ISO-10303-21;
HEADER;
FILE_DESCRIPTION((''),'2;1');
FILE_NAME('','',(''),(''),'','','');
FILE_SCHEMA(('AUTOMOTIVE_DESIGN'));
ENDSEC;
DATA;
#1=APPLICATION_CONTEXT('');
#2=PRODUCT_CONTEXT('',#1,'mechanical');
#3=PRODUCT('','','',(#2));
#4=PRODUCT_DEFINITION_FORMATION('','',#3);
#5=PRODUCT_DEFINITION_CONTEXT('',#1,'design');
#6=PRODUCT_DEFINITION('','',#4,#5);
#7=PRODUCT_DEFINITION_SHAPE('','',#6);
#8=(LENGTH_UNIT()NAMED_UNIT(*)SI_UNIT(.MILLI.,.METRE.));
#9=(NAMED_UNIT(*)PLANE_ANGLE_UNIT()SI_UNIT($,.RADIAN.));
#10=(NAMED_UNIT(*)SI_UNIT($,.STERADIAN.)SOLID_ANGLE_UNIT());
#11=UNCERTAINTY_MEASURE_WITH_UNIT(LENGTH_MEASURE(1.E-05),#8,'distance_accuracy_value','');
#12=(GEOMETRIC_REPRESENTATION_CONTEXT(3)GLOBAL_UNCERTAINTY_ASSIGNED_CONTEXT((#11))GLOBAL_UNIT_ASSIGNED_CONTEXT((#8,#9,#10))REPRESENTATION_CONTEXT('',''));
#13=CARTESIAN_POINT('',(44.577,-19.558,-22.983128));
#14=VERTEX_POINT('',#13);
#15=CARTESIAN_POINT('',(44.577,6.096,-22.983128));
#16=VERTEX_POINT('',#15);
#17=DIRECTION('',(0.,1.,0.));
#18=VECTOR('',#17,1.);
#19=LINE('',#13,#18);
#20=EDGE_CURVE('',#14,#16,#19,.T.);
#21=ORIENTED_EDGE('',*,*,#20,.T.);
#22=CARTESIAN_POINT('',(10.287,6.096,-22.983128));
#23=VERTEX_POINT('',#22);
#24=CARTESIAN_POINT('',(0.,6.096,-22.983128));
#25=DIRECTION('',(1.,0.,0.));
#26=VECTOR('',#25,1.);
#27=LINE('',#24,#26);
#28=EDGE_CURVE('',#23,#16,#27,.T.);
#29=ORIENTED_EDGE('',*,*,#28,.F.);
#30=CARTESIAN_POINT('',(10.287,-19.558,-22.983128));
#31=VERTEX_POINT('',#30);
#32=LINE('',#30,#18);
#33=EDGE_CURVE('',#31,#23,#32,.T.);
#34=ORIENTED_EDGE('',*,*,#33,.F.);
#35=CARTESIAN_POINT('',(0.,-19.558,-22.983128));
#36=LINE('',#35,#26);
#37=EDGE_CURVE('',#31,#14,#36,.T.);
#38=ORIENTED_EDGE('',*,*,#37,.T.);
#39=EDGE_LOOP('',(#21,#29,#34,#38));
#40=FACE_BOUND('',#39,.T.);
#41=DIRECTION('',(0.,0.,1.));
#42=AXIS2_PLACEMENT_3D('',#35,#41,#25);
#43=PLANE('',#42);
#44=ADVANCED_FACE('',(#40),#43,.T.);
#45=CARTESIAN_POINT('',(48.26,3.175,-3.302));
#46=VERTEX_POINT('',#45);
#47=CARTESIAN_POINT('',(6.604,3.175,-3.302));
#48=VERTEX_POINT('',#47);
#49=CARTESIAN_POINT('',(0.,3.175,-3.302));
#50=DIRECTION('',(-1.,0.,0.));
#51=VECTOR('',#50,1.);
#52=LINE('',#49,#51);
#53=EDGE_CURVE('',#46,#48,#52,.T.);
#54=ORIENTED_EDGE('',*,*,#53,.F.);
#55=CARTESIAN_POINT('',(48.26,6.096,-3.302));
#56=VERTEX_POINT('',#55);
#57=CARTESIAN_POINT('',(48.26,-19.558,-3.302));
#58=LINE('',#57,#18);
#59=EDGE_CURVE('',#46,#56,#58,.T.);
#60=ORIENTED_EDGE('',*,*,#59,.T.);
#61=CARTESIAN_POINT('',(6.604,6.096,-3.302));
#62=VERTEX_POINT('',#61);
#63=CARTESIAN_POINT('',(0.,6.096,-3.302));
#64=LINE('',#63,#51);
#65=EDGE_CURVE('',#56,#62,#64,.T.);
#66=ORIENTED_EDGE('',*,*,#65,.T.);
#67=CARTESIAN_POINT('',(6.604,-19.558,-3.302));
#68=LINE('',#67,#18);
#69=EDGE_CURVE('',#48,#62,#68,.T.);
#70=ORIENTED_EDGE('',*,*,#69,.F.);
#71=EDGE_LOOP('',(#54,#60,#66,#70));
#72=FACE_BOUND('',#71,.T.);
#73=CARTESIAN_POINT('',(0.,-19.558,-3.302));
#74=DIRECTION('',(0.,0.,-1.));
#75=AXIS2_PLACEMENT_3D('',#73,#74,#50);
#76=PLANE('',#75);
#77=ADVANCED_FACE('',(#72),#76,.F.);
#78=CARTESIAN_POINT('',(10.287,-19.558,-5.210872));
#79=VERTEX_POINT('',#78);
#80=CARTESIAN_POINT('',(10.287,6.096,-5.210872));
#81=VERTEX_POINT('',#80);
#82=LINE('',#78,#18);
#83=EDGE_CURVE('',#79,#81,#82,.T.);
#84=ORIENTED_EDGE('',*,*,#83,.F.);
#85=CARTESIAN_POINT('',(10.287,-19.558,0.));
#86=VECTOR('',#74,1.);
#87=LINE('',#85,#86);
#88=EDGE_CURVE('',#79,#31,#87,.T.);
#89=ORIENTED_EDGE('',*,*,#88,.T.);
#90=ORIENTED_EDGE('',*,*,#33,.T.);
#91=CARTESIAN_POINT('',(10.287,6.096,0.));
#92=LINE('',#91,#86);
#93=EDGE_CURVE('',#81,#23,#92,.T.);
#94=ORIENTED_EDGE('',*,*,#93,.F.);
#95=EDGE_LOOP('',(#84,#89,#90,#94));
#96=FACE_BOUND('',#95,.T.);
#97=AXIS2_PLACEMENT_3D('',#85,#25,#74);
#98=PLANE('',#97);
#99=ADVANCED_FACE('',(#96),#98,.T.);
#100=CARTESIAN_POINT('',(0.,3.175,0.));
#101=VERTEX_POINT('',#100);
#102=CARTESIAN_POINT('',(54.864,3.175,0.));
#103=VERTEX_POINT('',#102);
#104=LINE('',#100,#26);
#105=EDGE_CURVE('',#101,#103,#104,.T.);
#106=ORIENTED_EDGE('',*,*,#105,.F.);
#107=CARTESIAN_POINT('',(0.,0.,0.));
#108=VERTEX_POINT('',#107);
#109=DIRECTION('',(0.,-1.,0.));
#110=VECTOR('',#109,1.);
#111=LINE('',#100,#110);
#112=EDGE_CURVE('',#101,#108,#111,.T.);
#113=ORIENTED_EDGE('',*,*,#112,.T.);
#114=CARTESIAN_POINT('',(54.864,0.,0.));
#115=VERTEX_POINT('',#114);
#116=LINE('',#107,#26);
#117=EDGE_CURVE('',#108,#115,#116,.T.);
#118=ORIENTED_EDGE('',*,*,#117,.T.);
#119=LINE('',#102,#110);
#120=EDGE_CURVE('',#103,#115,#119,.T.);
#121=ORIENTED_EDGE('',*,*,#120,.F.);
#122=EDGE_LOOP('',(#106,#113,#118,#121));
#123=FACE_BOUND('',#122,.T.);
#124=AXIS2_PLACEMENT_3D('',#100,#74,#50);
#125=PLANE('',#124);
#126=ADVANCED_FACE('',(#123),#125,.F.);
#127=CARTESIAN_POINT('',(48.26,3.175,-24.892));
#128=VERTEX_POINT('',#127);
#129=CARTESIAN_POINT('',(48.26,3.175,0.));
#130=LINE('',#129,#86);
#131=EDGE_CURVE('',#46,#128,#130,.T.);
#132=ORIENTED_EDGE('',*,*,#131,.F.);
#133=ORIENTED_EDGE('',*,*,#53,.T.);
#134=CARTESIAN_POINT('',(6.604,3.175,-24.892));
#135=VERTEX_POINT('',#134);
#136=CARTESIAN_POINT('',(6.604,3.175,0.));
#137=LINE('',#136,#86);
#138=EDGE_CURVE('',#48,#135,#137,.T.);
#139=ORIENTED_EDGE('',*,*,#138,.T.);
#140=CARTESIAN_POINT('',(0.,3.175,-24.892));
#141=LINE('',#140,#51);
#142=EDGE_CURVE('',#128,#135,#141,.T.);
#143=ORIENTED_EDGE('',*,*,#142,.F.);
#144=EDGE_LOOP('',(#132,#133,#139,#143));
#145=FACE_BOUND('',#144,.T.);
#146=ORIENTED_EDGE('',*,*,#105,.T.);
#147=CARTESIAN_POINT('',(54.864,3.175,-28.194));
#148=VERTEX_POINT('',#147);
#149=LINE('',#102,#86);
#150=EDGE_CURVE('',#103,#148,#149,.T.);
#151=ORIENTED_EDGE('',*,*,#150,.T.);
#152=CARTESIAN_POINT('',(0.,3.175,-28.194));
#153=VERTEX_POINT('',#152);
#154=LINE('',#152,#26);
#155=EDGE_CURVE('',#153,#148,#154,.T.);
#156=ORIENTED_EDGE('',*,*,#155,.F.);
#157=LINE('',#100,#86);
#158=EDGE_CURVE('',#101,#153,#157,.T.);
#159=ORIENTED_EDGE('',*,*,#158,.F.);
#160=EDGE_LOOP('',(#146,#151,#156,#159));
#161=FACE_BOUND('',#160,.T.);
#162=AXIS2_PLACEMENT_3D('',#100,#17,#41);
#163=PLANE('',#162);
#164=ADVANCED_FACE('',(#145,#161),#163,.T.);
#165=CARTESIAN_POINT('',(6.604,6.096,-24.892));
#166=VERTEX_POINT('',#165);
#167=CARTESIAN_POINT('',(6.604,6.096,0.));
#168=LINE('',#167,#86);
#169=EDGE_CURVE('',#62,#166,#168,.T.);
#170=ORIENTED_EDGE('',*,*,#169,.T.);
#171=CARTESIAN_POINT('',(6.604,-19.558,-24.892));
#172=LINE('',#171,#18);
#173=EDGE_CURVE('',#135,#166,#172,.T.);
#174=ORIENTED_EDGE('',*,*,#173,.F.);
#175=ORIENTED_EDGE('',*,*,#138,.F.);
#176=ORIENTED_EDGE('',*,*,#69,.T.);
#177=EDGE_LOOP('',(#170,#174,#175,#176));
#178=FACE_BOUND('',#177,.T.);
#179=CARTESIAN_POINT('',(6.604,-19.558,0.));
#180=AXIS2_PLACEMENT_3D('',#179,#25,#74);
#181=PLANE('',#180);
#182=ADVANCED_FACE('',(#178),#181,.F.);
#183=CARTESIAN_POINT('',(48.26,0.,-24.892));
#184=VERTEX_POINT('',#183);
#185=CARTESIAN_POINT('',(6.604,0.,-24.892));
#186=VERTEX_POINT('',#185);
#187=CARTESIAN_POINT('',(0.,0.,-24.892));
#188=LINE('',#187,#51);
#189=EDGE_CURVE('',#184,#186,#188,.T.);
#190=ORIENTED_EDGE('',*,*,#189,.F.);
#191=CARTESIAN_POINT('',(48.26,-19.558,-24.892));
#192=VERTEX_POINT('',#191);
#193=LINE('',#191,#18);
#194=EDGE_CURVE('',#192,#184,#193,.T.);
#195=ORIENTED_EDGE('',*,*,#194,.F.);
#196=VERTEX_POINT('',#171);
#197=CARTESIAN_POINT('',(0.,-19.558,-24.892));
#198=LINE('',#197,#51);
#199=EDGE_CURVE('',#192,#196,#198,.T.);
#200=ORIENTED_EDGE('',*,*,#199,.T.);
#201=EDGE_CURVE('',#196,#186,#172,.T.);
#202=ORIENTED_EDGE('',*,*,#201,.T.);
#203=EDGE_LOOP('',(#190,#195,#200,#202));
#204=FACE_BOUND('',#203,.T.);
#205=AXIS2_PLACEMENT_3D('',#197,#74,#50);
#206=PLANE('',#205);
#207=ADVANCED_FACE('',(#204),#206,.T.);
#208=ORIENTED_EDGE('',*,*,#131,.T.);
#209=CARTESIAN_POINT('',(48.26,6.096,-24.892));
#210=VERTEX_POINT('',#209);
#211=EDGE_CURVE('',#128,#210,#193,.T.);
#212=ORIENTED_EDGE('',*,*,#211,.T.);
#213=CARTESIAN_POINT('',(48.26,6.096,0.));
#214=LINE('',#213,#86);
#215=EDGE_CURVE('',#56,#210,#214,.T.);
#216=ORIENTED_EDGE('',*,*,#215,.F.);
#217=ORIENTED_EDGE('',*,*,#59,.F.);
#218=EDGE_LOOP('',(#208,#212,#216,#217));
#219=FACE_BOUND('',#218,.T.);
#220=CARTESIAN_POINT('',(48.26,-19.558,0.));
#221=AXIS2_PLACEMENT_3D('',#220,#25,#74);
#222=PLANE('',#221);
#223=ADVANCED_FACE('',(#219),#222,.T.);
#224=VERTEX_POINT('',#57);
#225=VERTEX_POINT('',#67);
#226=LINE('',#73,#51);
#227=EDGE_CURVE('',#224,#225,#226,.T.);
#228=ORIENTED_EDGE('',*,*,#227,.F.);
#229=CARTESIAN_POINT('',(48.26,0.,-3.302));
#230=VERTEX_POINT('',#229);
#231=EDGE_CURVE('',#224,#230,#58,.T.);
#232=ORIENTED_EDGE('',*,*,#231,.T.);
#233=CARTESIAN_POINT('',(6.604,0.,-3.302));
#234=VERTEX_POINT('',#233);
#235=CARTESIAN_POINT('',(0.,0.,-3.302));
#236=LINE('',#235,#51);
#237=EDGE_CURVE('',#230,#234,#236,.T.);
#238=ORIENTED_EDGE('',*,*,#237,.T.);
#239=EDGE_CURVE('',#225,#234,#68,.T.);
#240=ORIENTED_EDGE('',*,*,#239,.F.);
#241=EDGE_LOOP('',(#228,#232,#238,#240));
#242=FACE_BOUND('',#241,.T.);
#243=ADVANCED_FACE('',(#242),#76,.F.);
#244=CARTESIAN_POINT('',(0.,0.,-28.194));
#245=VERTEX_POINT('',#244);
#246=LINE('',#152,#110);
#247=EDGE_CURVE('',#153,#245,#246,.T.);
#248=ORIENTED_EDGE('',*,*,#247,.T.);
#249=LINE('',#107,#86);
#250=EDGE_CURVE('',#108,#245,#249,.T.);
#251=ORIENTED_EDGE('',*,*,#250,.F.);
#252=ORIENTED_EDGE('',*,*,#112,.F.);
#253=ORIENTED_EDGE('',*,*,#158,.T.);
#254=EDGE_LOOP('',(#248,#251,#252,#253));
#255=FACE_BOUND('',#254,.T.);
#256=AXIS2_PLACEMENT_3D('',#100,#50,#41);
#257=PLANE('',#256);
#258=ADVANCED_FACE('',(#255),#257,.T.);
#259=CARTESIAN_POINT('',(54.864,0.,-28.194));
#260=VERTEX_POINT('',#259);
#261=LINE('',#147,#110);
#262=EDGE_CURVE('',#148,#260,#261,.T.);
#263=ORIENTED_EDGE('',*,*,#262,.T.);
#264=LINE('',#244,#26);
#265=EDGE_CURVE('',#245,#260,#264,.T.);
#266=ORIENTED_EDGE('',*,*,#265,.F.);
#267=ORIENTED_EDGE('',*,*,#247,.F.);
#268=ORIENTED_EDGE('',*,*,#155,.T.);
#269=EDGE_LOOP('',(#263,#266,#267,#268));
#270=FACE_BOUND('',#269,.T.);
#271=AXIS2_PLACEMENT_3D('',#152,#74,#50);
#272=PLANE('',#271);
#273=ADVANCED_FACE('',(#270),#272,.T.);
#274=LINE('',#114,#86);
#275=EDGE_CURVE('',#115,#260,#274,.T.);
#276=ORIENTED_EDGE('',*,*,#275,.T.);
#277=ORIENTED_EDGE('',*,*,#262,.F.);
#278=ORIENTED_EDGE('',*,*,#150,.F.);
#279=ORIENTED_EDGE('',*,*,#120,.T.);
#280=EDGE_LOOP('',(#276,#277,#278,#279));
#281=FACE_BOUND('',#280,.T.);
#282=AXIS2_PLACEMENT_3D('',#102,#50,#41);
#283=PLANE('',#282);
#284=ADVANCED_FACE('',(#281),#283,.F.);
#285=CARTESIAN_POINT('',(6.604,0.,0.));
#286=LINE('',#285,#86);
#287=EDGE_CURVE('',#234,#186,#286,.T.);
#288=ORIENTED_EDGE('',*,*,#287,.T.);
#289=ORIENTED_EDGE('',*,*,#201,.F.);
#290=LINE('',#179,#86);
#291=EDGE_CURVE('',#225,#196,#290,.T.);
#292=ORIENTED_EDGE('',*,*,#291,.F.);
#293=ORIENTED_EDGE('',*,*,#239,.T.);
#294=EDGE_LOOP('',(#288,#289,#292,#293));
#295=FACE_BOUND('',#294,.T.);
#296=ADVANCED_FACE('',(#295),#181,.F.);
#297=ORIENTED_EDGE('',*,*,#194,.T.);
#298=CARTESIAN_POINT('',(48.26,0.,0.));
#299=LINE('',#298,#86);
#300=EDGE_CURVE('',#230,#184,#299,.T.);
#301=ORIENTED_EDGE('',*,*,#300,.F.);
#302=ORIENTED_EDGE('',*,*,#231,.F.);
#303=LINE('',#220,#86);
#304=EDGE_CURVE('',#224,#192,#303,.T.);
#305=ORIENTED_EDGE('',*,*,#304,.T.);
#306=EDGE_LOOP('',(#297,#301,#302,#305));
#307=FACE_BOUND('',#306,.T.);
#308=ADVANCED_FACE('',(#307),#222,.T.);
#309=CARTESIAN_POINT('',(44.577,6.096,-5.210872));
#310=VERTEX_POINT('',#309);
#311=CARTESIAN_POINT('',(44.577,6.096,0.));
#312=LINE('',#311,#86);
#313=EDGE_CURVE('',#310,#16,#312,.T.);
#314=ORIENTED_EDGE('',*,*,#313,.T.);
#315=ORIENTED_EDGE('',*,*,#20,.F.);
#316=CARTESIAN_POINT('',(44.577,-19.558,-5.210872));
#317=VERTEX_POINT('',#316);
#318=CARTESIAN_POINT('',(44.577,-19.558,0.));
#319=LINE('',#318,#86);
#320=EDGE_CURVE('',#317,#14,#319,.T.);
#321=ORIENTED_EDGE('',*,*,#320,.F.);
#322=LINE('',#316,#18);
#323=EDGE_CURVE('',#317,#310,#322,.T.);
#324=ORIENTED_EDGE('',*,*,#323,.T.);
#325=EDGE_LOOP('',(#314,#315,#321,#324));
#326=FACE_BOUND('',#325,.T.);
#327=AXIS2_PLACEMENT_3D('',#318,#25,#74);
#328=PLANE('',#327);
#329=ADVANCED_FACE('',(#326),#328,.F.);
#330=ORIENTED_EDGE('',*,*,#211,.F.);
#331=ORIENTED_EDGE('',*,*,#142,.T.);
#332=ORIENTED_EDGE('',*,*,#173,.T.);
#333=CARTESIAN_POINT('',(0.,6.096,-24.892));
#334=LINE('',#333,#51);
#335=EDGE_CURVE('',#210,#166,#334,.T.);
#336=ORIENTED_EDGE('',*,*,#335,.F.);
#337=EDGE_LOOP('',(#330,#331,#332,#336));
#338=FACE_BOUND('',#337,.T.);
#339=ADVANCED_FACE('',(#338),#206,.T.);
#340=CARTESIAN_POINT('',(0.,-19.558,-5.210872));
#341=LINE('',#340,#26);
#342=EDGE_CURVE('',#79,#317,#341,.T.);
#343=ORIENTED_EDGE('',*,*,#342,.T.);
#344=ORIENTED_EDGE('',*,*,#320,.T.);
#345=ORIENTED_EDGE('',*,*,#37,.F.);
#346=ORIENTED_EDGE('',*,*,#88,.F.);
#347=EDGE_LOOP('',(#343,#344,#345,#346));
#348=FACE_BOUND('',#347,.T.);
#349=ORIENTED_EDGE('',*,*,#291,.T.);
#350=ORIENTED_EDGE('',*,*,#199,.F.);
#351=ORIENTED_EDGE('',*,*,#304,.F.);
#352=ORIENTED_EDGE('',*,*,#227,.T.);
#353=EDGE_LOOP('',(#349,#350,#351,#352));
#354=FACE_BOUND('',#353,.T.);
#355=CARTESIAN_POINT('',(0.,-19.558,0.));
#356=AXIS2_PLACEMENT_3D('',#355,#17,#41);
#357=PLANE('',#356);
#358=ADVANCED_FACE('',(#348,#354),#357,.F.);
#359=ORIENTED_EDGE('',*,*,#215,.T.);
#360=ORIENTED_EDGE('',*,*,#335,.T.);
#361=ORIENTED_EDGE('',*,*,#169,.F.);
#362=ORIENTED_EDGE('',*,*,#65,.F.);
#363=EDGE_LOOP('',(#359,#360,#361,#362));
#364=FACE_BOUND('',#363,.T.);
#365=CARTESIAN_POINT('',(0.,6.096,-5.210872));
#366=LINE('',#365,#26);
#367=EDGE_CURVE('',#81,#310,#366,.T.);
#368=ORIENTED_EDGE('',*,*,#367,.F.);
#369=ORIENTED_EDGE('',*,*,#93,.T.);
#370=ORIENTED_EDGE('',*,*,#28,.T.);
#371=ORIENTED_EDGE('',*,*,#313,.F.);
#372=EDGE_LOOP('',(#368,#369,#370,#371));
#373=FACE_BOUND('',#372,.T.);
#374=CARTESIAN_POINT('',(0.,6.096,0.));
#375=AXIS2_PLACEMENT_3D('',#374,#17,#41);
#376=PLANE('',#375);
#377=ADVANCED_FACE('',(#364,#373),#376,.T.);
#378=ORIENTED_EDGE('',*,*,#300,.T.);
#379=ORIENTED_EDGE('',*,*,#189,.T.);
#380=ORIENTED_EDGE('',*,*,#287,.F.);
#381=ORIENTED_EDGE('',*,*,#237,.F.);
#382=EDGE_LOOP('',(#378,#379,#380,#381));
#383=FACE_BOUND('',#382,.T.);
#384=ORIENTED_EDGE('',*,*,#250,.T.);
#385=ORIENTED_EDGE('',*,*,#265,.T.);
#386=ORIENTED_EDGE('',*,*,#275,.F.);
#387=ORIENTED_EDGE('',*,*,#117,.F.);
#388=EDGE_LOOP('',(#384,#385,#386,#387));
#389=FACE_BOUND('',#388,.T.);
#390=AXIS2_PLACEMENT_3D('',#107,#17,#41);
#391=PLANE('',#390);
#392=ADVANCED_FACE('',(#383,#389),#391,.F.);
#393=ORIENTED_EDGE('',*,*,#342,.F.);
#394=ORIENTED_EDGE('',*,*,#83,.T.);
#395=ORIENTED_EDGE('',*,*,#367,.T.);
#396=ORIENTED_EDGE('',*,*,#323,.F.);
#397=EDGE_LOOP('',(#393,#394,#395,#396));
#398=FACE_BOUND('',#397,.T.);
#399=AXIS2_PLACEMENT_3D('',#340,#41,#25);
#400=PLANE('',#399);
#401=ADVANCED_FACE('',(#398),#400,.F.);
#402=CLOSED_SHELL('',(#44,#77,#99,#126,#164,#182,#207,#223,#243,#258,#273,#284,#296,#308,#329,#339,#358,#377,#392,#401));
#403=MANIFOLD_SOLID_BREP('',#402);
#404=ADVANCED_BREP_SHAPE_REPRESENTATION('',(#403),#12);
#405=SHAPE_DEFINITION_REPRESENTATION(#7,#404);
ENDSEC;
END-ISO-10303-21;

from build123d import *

# Parameters (mm, degrees)
SKETCH1_W                = 54.864
SKETCH1_H                = 28.194
SKETCH1_W_2              = 41.656
SKETCH1_H_2              = 21.59
BOSS_EXTRUDE1_DEPTH      = 3.175
BOSS_EXTRUDE2_DEPTH      = 6.096
BOSS_EXTRUDE2_DEPTH_BACK = 19.558
SKETCH1_3_W              = 41.656
SKETCH1_3_H              = 21.59
SKETCH1_3_W_2            = 34.29
SKETCH1_3_H_2            = 17.772256098


with BuildPart() as part:
    # Sketch1 → Boss-Extrude1 (new body)
    with BuildSketch(Plane(origin=(0, 0, 0), x_dir=(1, 0, 0), z_dir=(0, 1, 0))):
        with Locations((27.432, 14.097)):
            Rectangle(SKETCH1_W, SKETCH1_H)
        with Locations((27.432, 14.097)):
            Rectangle(SKETCH1_W_2, SKETCH1_H_2, mode=Mode.SUBTRACT)
    extrude(amount=BOSS_EXTRUDE1_DEPTH)

    # Sketch1<3> → Boss-Extrude2 (add, two sides: drawn at the far end of the back side and taken through both)
    with BuildSketch(Plane(origin=(0, 0, 0), x_dir=(1, 0, 0), z_dir=(0, 1, 0)).offset(-BOSS_EXTRUDE2_DEPTH_BACK)):
        with Locations((27.432, 14.097)):
            Rectangle(SKETCH1_3_W, SKETCH1_3_H)
        with Locations((27.432, 14.097)):
            Rectangle(SKETCH1_3_W_2, SKETCH1_3_H_2, mode=Mode.SUBTRACT)
    extrude(amount=BOSS_EXTRUDE2_DEPTH + BOSS_EXTRUDE2_DEPTH_BACK)


solid = part.part
